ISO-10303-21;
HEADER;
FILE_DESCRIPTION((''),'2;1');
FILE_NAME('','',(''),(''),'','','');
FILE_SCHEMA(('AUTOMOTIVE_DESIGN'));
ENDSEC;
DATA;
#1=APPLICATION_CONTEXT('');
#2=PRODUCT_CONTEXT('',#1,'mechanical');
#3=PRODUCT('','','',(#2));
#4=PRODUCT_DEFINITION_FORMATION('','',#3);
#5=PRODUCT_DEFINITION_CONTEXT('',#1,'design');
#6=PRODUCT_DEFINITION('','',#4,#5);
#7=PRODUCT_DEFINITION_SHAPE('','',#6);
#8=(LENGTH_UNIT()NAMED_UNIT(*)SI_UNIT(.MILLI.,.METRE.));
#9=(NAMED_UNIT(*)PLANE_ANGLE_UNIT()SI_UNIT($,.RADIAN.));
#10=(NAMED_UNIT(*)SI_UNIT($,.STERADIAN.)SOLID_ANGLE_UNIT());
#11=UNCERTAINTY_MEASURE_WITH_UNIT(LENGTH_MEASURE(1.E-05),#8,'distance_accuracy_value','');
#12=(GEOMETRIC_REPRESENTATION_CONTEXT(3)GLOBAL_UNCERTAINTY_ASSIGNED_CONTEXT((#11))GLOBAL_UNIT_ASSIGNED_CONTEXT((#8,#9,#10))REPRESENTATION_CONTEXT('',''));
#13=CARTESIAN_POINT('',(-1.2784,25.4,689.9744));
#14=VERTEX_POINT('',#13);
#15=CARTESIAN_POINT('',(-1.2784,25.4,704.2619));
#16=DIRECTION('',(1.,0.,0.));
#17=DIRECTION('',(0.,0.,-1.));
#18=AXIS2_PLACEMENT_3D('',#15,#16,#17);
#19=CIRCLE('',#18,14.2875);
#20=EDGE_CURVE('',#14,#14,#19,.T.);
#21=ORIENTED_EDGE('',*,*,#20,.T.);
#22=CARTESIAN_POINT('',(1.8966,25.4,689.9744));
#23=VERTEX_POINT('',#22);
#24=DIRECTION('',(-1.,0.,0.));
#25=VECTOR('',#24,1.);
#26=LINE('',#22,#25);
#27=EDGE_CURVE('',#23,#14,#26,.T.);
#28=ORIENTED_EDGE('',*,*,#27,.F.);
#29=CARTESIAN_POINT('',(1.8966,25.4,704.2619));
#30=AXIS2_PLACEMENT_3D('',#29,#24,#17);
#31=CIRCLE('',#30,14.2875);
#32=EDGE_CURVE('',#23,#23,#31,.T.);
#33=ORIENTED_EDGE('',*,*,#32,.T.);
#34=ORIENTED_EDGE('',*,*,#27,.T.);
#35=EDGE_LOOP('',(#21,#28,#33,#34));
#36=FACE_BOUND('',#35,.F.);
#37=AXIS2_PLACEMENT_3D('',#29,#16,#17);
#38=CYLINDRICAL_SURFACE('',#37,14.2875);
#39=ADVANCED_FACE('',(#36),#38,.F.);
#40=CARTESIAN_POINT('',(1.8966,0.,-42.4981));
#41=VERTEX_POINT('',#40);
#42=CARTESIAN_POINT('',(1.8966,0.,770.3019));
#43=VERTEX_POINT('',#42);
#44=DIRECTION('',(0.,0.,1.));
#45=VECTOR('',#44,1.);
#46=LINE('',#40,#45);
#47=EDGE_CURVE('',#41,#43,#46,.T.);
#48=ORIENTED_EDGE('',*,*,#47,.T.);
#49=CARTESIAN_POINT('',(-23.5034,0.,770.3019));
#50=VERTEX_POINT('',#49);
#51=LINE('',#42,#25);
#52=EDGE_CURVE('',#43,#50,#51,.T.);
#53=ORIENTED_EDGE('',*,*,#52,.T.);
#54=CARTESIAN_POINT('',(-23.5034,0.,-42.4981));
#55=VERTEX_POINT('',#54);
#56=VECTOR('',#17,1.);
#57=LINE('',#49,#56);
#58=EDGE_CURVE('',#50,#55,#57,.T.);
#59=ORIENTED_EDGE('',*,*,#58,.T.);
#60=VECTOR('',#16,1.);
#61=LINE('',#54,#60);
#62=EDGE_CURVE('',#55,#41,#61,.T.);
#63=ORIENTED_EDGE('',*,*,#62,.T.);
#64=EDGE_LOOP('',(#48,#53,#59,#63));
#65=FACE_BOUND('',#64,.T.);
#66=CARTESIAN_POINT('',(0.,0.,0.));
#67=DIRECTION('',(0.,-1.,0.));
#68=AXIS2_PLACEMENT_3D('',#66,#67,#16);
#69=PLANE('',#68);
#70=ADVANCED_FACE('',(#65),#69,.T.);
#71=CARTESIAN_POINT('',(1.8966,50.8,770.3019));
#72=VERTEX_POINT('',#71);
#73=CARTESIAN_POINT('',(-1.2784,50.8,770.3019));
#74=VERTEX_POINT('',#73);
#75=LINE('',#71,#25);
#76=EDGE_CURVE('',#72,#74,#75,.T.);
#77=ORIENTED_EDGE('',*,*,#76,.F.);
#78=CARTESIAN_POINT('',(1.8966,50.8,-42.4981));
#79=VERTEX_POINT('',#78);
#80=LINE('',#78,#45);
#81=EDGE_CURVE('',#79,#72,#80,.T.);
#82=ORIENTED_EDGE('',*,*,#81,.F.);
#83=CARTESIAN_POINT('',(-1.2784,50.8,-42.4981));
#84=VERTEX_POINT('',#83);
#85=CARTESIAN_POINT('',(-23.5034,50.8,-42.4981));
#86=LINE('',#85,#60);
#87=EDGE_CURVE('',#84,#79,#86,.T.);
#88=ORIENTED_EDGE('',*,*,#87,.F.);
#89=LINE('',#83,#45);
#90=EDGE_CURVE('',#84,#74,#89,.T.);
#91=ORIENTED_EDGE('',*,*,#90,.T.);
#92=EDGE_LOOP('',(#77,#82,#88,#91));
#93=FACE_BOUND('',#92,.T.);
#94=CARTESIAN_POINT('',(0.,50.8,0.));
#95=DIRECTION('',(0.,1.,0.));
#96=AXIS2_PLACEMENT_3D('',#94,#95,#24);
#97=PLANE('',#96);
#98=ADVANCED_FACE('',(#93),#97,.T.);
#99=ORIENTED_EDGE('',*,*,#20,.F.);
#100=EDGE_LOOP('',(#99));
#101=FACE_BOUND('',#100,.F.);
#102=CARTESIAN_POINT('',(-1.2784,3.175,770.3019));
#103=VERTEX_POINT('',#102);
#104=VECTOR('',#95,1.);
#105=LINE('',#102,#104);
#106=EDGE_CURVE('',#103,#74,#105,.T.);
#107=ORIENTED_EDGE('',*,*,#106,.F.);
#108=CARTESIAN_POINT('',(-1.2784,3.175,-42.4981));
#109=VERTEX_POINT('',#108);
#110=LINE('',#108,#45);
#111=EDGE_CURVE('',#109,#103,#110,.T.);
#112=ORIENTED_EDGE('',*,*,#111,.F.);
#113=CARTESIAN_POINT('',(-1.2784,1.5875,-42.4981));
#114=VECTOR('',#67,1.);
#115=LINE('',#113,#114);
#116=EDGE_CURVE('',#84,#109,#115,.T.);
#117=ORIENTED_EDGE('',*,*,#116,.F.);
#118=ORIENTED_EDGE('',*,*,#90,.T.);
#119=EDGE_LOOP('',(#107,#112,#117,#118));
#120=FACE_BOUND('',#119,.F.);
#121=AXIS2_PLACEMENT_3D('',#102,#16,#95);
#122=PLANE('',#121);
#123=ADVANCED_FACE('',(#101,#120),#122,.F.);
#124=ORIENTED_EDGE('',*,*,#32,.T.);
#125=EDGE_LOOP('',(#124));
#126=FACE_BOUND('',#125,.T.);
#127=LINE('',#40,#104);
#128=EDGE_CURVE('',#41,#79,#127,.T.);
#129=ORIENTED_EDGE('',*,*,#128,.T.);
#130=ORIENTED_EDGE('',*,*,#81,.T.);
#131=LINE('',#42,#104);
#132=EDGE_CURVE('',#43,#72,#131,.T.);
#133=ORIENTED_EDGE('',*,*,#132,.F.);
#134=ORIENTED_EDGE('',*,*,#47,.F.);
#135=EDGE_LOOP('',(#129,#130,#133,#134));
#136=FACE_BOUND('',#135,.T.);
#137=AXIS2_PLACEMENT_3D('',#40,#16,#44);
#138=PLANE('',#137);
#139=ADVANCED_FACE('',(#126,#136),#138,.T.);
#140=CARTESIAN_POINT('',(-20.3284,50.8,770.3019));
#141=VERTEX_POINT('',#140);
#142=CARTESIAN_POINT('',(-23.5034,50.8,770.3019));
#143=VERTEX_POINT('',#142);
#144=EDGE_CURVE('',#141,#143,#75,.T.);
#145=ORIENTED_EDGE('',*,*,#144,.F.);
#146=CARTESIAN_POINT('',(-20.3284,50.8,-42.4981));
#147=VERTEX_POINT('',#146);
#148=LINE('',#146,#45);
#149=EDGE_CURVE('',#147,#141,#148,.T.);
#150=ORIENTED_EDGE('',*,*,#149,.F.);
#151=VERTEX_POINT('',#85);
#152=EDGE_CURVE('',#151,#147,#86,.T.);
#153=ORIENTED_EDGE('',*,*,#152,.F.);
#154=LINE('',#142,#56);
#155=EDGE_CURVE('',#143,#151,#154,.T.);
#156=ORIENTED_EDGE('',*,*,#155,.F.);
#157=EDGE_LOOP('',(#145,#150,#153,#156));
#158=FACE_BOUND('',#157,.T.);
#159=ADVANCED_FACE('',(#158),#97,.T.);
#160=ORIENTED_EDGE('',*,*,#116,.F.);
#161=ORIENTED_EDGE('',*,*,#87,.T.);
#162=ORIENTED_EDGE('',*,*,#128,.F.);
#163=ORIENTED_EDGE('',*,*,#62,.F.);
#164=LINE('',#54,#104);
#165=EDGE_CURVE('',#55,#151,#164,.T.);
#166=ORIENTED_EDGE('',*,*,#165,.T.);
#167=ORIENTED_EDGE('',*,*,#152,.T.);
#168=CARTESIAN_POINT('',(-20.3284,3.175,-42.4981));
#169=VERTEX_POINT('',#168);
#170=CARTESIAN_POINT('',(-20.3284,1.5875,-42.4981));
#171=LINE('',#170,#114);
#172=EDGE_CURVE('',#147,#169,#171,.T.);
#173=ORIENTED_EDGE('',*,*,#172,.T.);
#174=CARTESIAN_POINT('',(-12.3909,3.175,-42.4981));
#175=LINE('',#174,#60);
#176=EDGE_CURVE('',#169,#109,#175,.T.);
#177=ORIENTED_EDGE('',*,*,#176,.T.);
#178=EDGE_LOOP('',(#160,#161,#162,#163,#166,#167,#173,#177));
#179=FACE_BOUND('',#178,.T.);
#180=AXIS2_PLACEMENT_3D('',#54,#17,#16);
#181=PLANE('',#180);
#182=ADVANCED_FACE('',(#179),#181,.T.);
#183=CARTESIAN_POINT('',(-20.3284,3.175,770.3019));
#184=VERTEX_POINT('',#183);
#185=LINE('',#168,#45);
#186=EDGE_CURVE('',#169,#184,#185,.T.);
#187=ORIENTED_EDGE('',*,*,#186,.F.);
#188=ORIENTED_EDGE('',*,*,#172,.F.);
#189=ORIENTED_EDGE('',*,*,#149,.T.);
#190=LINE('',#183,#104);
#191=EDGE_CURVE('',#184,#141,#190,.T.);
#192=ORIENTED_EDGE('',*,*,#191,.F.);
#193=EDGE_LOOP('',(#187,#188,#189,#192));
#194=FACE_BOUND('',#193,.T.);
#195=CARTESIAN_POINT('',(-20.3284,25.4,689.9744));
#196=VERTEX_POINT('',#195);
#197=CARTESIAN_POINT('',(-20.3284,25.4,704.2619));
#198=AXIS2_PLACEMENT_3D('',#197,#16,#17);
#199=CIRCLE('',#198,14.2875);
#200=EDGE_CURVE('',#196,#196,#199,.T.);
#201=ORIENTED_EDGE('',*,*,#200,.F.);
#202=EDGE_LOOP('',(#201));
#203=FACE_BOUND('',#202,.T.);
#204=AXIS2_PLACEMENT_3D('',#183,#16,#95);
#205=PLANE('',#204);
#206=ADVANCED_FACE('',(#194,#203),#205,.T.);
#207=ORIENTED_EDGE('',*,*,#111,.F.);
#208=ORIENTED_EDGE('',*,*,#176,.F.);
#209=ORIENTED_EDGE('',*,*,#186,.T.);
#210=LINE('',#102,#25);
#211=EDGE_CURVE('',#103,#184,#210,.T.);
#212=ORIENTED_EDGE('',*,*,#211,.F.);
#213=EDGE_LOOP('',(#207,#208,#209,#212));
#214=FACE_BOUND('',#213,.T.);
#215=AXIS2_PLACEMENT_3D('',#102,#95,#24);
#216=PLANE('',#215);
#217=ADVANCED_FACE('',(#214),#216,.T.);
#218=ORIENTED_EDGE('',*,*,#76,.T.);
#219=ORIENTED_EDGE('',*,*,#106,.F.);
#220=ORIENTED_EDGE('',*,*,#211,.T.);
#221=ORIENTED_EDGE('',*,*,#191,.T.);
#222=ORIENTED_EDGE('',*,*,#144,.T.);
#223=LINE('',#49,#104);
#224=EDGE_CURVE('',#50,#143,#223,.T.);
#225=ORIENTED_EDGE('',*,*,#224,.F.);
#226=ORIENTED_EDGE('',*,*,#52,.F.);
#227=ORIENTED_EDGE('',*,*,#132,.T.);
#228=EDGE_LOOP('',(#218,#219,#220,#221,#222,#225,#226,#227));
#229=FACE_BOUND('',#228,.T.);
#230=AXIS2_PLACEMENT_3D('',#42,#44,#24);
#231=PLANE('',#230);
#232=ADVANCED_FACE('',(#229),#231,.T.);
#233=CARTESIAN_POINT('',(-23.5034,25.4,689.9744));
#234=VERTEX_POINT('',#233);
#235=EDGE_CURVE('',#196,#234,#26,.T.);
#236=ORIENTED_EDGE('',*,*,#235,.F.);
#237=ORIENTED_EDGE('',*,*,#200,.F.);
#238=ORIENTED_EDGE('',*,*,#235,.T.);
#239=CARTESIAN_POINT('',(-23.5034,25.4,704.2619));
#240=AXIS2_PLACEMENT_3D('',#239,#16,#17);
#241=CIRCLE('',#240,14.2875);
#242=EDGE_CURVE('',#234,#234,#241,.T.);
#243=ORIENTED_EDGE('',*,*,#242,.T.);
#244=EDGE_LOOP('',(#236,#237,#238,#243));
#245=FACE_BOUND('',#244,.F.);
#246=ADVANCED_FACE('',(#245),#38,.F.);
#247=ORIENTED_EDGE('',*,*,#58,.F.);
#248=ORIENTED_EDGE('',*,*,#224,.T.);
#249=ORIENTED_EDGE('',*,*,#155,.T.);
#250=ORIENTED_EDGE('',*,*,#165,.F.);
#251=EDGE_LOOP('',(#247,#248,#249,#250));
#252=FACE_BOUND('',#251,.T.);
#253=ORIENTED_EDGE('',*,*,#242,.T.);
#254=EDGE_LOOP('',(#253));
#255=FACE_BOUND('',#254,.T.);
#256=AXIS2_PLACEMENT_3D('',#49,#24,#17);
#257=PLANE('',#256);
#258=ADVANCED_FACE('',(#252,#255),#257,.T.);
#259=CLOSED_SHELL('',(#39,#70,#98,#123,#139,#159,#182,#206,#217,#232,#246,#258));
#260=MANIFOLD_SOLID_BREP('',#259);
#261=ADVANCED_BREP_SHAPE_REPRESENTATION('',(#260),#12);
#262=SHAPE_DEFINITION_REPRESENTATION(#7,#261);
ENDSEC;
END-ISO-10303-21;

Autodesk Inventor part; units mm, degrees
ref_plane "YZ Plane" through (0, 0, 0) normal (1, 0, 0) x (0, 1, 0)
ref_plane "XZ Plane" through (0, 0, 0) normal (0, 1, 0) x (-1, 0, 0)
ref_plane "XY Plane" through (0, 0, 0) normal (0, 0, 1) x (1, 0, 0)
sketch "Sketch1" plane through (0, 0, 0) normal (0, 1, 0) x (-1, 0, 0)
  line L0 (23.5034, -42.4981) -> (-1.8966, -42.4981)
  line L1 (-1.8966, -42.4981) -> (-1.8966, 770.3019)
  line L2 (-1.8966, 770.3019) -> (23.5034, 770.3019)
  line L3 (23.5034, 770.3019) -> (23.5034, -42.4981)
  line L4 (20.3284, -39.3231) -> (1.2784, -39.3231)
  line L5 (1.2784, -39.3231) -> (1.2784, 767.1269)
  line L6 (1.2784, 767.1269) -> (20.3284, 767.1269)
  line L7 (20.3284, 767.1269) -> (20.3284, -39.3231)
  point P0 (0, 0)
  dimension "d0" = 25.4
  dimension "d1" = 812.8
  dimension "d2" = 3.175
ref_plane "Work Plane3" through (0, 0, 0) normal (0, -1, 0) x (1, 0, 0)
sketch "Sketch2" plane through (0, 0, 0) normal (0, -1, 0) x (1, 0, 0)
  line L0 (-1.2784, -39.3231) -> (-20.3284, -39.3231) projected
  line L1 (-20.3284, -39.3231) -> (-20.3284, 767.1269) projected
  line L2 (-1.2784, -39.3231) -> (-20.3284, -39.3231)
  line L3 (-20.3284, -39.3231) -> (-20.3284, 767.1269)
  line L4 (-20.3284, 767.1269) -> (-1.2784, 767.1269)
  line L5 (-1.2784, 767.1269) -> (-1.2784, -39.3231)
  point P0 (0, 0)
extrude "Extrusion3" add sketch "Sketch2" against normal blind 3.175
extrude "Extrusion5" add sketch "Sketch1" along normal blind 50.8
sketch "Sketch4" plane through (-23.5034, 0, 770.3019) normal (0, 0, 1) x (1, 0, 0)
  line L0 (0, 50.8) -> (25.4, 50.8) projected
  line L1 (0, 50.8) -> (3.175, 50.8)
  line L2 (3.175, 50.8) -> (25.4, 50.8)
  line L3 (25.4, 50.8) -> (22.225, 50.8)
  line L4 (22.225, 3.175) -> (22.225, 50.8) projected
  line L5 (3.175, 50.8) -> (22.225, 50.8)
  line L6 (22.225, 50.8) -> (22.225, 3.175)
  line L7 (22.225, 3.175) -> (3.175, 3.175)
  line L8 (3.175, 3.175) -> (3.175, 50.8)
  point P0 (23.5034, 0)
  point P1 (22.225, 0)
  dimension "d13" = 3.175
  dimension "d14" = 3.175
extrude "Extrusion6" cut sketch "Sketch4" against normal blind 1016
sketch "Sketch5" plane through (1.8966, 0, 770.3019) normal (1, 0, 0) x (0, 0, -1)
  line L0 (0, 0) -> (66.04, 0)
  line L1 (66.04, 0) -> (66.04, 25.4)
  line L2 (66.04, 25.4) -> (0, 25.4)
  line L3 (0, 25.4) -> (0, 0)
  circle A0 centre (66.04, 25.4) radius 14.2875
  point P0 (770.3019, 0)
  dimension "d17" = 66.04
  dimension "d18" = 25.4
  dimension "d19" = 28.575
extrude "Extrusion7" cut sketch "Sketch5" against normal blind 1016 contours A0 L2 L1 | L1 L2 A0
properties part number "36in Aluminum Channel"
